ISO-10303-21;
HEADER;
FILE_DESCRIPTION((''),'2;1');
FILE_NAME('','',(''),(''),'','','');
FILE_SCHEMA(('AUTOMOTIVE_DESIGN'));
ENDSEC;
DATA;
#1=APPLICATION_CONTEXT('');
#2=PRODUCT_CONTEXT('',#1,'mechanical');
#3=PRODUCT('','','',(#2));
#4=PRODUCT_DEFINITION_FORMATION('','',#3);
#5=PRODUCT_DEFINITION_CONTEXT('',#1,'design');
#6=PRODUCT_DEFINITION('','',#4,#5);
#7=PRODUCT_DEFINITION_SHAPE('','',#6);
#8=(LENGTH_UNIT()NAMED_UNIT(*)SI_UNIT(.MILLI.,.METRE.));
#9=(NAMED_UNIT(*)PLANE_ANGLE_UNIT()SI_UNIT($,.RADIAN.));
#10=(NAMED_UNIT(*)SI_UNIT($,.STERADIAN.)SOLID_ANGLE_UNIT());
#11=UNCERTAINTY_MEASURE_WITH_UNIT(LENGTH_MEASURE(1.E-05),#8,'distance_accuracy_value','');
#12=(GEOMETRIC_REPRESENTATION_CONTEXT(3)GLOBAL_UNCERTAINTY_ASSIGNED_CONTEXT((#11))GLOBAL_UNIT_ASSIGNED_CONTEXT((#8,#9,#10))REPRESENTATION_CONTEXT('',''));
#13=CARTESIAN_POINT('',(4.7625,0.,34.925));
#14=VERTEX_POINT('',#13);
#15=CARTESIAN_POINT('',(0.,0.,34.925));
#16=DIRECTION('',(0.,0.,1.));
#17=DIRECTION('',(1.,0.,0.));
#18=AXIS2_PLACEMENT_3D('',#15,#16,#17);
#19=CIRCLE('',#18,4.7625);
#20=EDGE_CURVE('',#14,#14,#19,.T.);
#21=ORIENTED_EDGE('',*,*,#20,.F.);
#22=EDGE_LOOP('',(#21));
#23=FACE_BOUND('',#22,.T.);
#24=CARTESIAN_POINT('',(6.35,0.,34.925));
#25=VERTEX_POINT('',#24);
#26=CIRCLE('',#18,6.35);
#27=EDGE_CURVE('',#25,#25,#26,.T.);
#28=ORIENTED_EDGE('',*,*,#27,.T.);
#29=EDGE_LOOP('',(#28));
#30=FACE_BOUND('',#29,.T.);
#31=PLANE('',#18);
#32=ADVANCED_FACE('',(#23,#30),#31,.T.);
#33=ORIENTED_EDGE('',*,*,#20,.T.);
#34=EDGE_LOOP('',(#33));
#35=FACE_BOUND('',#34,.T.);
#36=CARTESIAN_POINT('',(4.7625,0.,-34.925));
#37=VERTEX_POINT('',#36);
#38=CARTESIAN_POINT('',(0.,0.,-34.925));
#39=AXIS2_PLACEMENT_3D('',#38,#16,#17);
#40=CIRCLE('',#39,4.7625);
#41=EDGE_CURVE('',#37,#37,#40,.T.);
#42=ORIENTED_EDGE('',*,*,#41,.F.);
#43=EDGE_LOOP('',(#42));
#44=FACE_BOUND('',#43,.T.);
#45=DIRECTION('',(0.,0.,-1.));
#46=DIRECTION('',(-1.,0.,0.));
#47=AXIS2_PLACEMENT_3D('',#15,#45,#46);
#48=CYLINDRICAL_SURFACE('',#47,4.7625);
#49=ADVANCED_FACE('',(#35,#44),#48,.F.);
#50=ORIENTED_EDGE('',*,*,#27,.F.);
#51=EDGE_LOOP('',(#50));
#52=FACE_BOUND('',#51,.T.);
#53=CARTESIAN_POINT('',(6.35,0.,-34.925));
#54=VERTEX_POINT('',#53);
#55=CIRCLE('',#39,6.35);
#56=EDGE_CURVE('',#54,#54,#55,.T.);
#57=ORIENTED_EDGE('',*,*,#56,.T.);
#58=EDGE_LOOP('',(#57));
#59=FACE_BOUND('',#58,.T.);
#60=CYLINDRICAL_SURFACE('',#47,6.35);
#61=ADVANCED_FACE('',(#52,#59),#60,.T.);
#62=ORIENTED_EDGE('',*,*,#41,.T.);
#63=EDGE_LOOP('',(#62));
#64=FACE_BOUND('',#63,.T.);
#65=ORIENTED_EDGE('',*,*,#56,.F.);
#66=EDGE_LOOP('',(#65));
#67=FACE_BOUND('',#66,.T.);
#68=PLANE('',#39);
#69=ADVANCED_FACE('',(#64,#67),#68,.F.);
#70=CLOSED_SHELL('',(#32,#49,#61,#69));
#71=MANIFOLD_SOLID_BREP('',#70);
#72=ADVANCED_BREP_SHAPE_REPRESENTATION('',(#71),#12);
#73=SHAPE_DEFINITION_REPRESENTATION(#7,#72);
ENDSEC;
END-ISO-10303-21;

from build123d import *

# Parameters (mm, degrees)
SKETCH2_R           = 6.35
SKETCH2_R_2         = 4.7625
BOSS_EXTRUDE1_DEPTH = 34.925


with BuildPart() as part:
    # Sketch2 → Boss-Extrude1 (new body, symmetric)
    with BuildSketch(Plane(origin=(0, 0, 0), x_dir=(0, 1, 0), z_dir=(0, 0, 1))):
        Circle(SKETCH2_R)
        Circle(SKETCH2_R_2, mode=Mode.SUBTRACT)
    extrude(amount=BOSS_EXTRUDE1_DEPTH, both=True)


solid = part.part
